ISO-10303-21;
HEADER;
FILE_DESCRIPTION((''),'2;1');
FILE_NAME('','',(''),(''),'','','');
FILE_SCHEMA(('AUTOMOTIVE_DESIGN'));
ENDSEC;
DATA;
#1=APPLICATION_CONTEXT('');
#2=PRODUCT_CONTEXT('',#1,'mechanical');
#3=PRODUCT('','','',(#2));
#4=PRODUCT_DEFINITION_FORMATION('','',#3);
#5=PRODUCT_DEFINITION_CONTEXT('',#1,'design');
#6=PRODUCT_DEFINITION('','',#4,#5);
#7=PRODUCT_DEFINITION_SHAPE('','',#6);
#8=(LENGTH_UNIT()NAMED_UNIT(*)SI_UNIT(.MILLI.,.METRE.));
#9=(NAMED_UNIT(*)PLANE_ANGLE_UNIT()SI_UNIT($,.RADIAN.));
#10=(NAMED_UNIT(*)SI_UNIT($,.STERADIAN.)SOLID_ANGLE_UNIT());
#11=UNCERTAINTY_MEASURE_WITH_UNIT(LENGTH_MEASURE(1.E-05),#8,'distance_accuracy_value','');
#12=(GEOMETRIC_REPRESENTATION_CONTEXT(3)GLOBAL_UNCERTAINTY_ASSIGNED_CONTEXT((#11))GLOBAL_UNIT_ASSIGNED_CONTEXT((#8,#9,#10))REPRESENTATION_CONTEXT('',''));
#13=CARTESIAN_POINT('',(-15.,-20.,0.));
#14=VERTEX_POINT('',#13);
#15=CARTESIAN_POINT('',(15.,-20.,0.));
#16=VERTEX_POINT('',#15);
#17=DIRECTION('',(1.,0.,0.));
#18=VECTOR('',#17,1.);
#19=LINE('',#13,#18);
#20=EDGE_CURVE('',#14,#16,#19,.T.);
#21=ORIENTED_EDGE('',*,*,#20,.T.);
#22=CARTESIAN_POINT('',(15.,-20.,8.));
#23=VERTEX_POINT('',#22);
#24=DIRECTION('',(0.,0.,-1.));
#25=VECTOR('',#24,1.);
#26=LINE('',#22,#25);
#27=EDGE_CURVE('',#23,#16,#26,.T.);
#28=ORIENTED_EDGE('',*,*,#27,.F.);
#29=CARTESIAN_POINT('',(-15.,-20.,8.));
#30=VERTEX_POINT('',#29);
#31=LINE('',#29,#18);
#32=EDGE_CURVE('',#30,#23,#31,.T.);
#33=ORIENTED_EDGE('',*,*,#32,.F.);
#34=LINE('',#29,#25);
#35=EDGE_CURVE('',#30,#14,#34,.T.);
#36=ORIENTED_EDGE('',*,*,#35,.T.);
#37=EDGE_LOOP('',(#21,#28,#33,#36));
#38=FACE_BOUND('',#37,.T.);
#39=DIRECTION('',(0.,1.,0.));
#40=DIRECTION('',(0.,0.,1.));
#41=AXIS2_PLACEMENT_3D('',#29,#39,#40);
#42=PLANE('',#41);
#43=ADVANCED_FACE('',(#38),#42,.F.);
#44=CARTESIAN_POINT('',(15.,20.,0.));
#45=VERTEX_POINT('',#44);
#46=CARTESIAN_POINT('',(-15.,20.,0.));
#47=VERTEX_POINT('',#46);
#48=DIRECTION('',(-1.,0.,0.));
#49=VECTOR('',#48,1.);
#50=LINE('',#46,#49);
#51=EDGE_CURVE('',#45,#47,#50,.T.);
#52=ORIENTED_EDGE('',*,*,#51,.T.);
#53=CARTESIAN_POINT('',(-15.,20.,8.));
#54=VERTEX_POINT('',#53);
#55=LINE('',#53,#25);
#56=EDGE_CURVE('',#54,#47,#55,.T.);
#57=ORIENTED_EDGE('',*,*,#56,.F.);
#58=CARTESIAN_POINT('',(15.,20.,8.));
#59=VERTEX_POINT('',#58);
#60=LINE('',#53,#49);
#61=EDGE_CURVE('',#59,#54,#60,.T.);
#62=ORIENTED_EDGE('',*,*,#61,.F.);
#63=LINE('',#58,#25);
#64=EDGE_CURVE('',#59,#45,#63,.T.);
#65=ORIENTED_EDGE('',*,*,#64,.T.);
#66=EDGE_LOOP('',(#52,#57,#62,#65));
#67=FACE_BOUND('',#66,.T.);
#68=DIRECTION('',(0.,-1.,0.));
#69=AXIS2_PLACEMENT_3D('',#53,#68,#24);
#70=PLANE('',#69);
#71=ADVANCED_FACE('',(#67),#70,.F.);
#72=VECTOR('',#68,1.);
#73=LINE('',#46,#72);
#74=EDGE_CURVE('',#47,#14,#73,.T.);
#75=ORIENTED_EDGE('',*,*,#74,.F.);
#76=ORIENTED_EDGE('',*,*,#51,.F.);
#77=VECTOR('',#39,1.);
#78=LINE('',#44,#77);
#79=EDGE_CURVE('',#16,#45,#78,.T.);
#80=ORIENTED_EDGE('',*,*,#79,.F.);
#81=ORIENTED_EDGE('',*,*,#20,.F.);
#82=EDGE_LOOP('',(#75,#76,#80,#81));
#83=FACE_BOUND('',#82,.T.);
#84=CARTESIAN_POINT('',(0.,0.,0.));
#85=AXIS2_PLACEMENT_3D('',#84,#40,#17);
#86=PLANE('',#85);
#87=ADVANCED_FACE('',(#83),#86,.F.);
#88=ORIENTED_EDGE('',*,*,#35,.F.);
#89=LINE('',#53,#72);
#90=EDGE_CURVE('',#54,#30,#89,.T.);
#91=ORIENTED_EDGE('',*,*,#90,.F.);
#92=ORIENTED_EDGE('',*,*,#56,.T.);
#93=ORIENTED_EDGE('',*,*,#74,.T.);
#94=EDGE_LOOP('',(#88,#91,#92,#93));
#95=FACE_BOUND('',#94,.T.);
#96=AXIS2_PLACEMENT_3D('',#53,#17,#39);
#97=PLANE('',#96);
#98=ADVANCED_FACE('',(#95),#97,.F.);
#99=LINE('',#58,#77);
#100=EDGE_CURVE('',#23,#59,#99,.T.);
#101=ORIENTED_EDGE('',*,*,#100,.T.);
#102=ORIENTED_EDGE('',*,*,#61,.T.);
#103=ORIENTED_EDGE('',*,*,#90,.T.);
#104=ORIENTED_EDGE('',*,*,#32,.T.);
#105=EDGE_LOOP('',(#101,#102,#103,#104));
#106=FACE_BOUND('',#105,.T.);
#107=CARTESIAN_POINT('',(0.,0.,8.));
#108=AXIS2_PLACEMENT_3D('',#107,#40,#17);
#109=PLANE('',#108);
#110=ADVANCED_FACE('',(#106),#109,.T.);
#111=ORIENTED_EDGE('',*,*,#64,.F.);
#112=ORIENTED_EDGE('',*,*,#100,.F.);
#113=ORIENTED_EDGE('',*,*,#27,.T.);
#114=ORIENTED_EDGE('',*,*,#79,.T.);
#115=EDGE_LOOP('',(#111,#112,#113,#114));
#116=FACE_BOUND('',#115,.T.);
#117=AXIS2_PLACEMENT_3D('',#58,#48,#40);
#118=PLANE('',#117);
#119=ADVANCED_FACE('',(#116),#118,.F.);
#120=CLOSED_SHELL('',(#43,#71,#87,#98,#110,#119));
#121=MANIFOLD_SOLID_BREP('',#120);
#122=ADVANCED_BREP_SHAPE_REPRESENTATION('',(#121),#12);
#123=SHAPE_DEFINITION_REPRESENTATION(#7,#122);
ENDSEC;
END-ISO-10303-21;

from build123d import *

# Parameters (mm, degrees)
SKETCH1_W           = 30
SKETCH1_H           = 40
BOSS_EXTRUDE1_DEPTH = 8


with BuildPart() as part:
    # Sketch1 → Boss-Extrude1 (new body)
    with BuildSketch(Plane.XY):
        Rectangle(SKETCH1_W, SKETCH1_H)
    extrude(amount=BOSS_EXTRUDE1_DEPTH)


solid = part.part
